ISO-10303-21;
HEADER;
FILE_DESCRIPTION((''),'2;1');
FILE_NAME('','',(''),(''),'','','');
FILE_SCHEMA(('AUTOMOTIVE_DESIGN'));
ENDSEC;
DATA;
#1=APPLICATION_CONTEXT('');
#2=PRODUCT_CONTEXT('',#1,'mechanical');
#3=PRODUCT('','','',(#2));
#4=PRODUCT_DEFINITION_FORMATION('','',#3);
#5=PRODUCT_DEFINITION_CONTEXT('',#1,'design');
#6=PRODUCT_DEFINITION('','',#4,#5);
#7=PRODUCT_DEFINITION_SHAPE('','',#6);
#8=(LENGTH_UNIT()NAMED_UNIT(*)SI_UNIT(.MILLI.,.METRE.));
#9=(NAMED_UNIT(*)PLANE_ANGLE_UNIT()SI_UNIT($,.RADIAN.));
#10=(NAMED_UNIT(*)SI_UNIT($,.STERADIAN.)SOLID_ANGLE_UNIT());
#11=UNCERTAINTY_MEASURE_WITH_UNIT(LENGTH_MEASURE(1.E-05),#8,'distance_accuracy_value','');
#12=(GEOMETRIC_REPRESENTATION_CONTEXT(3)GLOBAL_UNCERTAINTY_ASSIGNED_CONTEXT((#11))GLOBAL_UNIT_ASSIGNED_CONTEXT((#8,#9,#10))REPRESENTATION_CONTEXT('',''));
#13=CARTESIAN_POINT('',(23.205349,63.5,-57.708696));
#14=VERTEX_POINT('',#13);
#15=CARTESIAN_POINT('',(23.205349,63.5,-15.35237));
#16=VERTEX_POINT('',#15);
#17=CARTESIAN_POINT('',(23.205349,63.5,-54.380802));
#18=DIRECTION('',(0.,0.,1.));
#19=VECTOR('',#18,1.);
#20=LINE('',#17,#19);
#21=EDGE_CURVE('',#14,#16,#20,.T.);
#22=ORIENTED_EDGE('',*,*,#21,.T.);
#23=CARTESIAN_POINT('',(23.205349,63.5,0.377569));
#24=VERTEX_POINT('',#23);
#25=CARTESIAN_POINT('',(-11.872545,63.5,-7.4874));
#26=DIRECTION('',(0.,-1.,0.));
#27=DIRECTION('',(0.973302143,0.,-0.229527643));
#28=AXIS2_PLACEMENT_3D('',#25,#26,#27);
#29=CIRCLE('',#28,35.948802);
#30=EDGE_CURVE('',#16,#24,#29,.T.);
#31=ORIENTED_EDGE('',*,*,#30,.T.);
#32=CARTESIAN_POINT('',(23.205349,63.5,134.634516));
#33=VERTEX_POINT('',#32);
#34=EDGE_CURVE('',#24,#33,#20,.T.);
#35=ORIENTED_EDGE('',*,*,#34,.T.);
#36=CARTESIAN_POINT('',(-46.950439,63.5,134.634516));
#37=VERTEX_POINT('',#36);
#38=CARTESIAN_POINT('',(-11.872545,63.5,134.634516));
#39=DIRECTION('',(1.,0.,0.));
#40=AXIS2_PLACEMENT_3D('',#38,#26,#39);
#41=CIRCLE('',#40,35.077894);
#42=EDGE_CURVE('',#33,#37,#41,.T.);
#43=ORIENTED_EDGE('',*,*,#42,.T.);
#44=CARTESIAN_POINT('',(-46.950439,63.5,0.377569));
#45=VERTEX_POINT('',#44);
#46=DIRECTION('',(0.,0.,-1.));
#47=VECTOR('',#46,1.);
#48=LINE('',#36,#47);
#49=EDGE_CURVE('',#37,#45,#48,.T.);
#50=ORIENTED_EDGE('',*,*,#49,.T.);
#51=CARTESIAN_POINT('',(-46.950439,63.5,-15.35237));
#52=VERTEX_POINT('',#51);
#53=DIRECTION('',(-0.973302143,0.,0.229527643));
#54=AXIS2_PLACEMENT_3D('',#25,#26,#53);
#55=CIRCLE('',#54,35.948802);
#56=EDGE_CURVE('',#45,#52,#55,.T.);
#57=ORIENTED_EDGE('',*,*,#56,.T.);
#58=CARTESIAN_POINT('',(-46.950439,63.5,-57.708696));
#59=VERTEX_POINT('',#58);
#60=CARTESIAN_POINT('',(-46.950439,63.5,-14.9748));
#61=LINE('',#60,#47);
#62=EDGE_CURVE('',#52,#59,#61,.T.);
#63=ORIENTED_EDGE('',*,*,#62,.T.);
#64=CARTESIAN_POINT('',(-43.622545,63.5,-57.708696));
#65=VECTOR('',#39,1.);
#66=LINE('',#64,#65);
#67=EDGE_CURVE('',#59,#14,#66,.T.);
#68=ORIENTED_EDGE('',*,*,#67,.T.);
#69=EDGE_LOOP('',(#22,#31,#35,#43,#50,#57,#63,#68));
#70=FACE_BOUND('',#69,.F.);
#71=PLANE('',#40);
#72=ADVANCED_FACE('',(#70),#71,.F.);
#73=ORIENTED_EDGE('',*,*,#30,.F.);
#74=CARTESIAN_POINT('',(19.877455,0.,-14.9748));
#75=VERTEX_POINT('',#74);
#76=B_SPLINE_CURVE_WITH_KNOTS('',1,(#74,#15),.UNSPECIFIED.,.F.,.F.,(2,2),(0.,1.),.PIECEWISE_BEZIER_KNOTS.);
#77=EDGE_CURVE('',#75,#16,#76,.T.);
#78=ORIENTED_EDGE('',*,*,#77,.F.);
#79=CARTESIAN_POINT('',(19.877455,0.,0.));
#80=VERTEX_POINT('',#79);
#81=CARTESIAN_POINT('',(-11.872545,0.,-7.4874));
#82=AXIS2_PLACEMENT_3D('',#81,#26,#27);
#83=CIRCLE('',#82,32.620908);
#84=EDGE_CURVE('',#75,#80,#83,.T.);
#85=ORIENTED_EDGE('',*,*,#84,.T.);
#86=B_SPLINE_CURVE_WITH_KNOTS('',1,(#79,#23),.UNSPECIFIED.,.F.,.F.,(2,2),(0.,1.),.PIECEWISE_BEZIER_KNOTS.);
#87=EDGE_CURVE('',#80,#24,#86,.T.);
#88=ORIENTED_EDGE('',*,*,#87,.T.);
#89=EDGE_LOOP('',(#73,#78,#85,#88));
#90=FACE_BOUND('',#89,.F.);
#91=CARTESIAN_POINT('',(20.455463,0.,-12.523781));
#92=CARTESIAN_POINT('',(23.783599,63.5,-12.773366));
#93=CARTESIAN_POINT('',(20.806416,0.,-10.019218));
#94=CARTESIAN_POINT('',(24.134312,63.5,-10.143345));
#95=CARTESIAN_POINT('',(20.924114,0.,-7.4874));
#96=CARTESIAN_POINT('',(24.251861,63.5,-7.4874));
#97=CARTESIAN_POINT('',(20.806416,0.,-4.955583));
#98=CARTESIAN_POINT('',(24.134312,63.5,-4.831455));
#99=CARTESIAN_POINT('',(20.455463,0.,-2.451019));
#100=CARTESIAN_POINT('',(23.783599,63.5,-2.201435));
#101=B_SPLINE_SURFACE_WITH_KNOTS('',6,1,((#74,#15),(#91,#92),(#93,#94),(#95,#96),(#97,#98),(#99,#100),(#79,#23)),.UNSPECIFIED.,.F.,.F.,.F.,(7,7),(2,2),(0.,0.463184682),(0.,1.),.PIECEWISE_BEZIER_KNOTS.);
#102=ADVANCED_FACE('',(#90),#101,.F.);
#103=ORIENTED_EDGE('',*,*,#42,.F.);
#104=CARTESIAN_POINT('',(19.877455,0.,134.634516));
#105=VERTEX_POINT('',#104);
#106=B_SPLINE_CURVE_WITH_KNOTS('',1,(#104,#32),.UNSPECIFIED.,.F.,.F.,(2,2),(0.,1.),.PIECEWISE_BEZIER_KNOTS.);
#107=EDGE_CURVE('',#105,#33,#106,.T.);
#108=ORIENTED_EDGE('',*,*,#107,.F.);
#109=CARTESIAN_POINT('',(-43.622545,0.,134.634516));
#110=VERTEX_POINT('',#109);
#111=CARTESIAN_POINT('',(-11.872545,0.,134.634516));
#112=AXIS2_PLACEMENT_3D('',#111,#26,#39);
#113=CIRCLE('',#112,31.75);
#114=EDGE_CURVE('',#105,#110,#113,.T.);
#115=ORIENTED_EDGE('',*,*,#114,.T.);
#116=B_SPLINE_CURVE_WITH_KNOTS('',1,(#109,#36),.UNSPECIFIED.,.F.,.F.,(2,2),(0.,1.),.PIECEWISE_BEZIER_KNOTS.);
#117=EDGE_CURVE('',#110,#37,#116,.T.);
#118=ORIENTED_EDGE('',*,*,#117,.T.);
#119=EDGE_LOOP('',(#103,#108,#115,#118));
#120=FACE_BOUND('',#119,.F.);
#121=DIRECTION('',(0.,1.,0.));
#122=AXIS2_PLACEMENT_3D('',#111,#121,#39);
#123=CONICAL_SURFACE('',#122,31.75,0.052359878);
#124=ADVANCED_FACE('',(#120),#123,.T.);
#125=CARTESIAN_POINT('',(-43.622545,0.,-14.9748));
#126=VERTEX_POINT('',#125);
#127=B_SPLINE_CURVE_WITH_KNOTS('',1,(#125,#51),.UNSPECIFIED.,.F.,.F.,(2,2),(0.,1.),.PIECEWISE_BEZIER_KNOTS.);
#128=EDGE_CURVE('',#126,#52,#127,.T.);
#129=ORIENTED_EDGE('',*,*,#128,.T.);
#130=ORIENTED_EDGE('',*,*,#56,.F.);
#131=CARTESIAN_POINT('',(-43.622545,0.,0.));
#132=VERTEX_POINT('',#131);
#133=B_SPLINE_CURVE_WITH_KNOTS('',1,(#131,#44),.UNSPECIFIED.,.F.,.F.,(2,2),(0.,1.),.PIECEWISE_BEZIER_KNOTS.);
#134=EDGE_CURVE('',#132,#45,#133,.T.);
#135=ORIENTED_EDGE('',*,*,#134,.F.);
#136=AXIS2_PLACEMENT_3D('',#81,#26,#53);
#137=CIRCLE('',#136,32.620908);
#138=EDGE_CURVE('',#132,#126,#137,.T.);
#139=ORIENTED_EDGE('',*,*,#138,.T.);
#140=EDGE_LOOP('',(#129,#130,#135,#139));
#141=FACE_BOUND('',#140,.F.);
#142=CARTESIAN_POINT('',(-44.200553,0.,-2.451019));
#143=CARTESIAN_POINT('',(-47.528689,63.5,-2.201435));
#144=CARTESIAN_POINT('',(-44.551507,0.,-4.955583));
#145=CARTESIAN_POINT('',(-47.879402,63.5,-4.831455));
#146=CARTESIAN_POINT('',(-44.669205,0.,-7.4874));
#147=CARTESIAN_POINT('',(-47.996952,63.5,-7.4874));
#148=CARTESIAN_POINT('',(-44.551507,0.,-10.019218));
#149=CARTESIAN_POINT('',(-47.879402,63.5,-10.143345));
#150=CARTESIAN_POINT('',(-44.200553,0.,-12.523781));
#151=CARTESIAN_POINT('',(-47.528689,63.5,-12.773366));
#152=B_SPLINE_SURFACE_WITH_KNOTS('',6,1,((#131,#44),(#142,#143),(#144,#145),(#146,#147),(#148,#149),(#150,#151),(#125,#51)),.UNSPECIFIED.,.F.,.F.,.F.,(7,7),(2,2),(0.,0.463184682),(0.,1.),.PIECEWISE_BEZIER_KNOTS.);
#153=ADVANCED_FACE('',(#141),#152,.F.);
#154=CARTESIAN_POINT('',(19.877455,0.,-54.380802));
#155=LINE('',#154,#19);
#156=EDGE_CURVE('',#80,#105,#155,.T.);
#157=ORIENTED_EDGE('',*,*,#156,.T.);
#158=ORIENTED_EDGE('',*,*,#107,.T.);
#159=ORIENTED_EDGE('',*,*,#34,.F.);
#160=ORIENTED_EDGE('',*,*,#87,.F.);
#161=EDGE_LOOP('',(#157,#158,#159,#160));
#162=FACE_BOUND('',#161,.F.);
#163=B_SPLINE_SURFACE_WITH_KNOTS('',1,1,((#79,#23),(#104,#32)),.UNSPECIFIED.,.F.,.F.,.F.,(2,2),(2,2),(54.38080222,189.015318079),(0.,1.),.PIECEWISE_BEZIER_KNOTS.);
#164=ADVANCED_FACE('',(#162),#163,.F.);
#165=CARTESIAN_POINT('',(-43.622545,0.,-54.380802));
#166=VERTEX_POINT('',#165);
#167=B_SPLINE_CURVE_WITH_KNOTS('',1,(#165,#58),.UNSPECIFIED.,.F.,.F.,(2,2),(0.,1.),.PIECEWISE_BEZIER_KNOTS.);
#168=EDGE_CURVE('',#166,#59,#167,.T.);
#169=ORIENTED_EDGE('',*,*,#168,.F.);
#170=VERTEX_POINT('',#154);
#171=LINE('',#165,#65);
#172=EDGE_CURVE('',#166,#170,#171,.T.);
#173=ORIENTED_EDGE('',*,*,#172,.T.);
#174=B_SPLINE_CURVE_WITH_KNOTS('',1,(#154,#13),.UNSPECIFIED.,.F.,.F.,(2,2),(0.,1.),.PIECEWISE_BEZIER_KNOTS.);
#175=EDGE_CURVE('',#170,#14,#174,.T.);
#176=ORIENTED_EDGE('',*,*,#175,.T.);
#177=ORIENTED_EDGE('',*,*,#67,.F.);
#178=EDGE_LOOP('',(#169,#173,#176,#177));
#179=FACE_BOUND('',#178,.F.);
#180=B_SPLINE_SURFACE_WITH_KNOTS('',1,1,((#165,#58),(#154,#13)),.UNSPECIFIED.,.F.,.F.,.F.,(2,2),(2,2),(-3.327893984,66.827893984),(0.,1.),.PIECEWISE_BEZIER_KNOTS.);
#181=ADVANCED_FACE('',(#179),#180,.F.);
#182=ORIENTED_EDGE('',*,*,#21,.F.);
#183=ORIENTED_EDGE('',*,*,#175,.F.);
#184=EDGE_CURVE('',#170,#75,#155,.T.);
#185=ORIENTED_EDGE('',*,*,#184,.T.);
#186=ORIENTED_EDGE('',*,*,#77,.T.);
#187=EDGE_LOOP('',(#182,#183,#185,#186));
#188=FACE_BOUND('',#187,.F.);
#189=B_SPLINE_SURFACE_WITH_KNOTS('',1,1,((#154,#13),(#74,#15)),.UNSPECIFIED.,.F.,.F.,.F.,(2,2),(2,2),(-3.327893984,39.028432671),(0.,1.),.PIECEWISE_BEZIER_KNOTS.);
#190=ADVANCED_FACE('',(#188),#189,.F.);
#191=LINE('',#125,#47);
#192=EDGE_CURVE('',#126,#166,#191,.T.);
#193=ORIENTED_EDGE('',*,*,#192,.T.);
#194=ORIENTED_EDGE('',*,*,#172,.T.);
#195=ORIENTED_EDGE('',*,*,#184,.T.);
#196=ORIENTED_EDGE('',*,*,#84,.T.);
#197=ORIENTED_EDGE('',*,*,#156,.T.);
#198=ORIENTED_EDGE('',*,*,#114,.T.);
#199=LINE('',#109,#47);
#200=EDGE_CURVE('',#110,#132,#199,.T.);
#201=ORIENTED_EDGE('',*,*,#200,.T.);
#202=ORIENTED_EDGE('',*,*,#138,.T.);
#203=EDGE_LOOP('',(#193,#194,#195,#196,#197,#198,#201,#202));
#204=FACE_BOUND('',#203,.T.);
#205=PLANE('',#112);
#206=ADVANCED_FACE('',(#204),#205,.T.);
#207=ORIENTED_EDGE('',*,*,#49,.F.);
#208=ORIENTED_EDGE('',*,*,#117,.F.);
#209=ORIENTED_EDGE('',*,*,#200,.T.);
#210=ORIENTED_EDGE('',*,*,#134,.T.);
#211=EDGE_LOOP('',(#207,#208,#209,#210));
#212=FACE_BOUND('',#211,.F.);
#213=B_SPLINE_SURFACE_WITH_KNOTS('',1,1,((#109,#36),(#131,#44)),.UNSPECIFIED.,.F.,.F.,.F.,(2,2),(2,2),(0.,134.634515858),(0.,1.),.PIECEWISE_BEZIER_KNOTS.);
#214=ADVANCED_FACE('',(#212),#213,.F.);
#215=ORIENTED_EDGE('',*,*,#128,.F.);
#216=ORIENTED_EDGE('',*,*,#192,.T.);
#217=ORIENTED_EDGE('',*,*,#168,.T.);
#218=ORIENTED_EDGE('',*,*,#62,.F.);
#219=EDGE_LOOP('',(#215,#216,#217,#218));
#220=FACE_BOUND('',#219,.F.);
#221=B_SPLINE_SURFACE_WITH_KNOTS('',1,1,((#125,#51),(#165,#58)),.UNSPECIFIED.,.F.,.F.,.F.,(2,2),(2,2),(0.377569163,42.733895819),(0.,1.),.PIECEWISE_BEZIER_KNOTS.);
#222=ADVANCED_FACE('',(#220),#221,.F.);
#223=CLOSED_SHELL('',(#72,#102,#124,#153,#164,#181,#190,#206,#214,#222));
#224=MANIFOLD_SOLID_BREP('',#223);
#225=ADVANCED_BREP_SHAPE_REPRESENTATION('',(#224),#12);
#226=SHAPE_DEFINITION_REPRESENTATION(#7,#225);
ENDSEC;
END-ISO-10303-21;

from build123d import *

# Parameters (mm, degrees)
F1_DEPTH = 63.5
F1_TAPER = -3


with BuildPart() as f1:
    # F0 (on Front) → F1 (new body)
    with BuildSketch(Plane.XZ):
        with BuildLine():
            ThreePointArc((19.8774547922, 134.6345158583), (-11.8725452078, 166.3845158583), (-43.6225452078, 134.6345158583))
            Line((-43.6225452078, 134.6345158583), (-11.8725452078, 134.6345158583))
            Line((-11.8725452078, 134.6345158583), (19.8774547922, 134.6345158583))
        make_face()
        with BuildLine():
            Line((-11.8725452078, 134.6345158583), (-43.6225452078, 134.6345158583))
            Line((-43.6225452078, 134.6345158583), (-43.6225452078, 0))
            Line((-43.6225452078, 0), (-43.6225452078, -14.9748003857))
            ThreePointArc((-43.6225452078, -14.9748003857), (-32.119493943, -33.0644353721), (-11.8725452078, -40.1083085439))
            Line((-11.8725452078, -40.1083085439), (-11.8725452078, 134.6345158583))
        make_face()
        with BuildLine():
            Line((19.8774547922, 134.6345158583), (-11.8725452078, 134.6345158583))
            Line((-11.8725452078, 134.6345158583), (-11.8725452078, -40.1083085439))
            ThreePointArc((-11.8725452078, -40.1083085439), (8.3744035274, -33.0644353721), (19.8774547922, -14.9748003857))
            Line((19.8774547922, -14.9748003857), (19.8774547922, 0))
            Line((19.8774547922, 0), (19.8774547922, 134.6345158583))
        make_face()
        with BuildLine():
            Line((-43.6225452078, -14.9748003857), (-43.6225452078, 0))
            ThreePointArc((-43.6225452078, 0), (-44.4934535588, -7.4874001928), (-43.6225452078, -14.9748003857))
        make_face()
        with BuildLine():
            ThreePointArc((19.8774547922, -14.9748003857), (8.3744035274, -33.0644353721), (-11.8725452078, -40.1083085439))
            Line((-11.8725452078, -40.1083085439), (-11.8725452078, -54.3808022202))
            Line((-11.8725452078, -54.3808022202), (19.8774547922, -54.3808022202))
            Line((19.8774547922, -54.3808022202), (19.8774547922, -14.9748003857))
        make_face()
        with BuildLine():
            Line((-11.8725452078, -54.3808022202), (-11.8725452078, -40.1083085439))
            ThreePointArc((-11.8725452078, -40.1083085439), (-32.119493943, -33.0644353721), (-43.6225452078, -14.9748003857))
            Line((-43.6225452078, -14.9748003857), (-43.6225452078, -54.3808022202))
            Line((-43.6225452078, -54.3808022202), (-11.8725452078, -54.3808022202))
        make_face()
        with BuildLine():
            ThreePointArc((19.8774547922, -14.9748003857), (20.7483631433, -7.4874001928), (19.8774547922, 0))
            Line((19.8774547922, 0), (19.8774547922, -14.9748003857))
        make_face()
    extrude(amount=-F1_DEPTH, taper=F1_TAPER)


solid = f1.part
